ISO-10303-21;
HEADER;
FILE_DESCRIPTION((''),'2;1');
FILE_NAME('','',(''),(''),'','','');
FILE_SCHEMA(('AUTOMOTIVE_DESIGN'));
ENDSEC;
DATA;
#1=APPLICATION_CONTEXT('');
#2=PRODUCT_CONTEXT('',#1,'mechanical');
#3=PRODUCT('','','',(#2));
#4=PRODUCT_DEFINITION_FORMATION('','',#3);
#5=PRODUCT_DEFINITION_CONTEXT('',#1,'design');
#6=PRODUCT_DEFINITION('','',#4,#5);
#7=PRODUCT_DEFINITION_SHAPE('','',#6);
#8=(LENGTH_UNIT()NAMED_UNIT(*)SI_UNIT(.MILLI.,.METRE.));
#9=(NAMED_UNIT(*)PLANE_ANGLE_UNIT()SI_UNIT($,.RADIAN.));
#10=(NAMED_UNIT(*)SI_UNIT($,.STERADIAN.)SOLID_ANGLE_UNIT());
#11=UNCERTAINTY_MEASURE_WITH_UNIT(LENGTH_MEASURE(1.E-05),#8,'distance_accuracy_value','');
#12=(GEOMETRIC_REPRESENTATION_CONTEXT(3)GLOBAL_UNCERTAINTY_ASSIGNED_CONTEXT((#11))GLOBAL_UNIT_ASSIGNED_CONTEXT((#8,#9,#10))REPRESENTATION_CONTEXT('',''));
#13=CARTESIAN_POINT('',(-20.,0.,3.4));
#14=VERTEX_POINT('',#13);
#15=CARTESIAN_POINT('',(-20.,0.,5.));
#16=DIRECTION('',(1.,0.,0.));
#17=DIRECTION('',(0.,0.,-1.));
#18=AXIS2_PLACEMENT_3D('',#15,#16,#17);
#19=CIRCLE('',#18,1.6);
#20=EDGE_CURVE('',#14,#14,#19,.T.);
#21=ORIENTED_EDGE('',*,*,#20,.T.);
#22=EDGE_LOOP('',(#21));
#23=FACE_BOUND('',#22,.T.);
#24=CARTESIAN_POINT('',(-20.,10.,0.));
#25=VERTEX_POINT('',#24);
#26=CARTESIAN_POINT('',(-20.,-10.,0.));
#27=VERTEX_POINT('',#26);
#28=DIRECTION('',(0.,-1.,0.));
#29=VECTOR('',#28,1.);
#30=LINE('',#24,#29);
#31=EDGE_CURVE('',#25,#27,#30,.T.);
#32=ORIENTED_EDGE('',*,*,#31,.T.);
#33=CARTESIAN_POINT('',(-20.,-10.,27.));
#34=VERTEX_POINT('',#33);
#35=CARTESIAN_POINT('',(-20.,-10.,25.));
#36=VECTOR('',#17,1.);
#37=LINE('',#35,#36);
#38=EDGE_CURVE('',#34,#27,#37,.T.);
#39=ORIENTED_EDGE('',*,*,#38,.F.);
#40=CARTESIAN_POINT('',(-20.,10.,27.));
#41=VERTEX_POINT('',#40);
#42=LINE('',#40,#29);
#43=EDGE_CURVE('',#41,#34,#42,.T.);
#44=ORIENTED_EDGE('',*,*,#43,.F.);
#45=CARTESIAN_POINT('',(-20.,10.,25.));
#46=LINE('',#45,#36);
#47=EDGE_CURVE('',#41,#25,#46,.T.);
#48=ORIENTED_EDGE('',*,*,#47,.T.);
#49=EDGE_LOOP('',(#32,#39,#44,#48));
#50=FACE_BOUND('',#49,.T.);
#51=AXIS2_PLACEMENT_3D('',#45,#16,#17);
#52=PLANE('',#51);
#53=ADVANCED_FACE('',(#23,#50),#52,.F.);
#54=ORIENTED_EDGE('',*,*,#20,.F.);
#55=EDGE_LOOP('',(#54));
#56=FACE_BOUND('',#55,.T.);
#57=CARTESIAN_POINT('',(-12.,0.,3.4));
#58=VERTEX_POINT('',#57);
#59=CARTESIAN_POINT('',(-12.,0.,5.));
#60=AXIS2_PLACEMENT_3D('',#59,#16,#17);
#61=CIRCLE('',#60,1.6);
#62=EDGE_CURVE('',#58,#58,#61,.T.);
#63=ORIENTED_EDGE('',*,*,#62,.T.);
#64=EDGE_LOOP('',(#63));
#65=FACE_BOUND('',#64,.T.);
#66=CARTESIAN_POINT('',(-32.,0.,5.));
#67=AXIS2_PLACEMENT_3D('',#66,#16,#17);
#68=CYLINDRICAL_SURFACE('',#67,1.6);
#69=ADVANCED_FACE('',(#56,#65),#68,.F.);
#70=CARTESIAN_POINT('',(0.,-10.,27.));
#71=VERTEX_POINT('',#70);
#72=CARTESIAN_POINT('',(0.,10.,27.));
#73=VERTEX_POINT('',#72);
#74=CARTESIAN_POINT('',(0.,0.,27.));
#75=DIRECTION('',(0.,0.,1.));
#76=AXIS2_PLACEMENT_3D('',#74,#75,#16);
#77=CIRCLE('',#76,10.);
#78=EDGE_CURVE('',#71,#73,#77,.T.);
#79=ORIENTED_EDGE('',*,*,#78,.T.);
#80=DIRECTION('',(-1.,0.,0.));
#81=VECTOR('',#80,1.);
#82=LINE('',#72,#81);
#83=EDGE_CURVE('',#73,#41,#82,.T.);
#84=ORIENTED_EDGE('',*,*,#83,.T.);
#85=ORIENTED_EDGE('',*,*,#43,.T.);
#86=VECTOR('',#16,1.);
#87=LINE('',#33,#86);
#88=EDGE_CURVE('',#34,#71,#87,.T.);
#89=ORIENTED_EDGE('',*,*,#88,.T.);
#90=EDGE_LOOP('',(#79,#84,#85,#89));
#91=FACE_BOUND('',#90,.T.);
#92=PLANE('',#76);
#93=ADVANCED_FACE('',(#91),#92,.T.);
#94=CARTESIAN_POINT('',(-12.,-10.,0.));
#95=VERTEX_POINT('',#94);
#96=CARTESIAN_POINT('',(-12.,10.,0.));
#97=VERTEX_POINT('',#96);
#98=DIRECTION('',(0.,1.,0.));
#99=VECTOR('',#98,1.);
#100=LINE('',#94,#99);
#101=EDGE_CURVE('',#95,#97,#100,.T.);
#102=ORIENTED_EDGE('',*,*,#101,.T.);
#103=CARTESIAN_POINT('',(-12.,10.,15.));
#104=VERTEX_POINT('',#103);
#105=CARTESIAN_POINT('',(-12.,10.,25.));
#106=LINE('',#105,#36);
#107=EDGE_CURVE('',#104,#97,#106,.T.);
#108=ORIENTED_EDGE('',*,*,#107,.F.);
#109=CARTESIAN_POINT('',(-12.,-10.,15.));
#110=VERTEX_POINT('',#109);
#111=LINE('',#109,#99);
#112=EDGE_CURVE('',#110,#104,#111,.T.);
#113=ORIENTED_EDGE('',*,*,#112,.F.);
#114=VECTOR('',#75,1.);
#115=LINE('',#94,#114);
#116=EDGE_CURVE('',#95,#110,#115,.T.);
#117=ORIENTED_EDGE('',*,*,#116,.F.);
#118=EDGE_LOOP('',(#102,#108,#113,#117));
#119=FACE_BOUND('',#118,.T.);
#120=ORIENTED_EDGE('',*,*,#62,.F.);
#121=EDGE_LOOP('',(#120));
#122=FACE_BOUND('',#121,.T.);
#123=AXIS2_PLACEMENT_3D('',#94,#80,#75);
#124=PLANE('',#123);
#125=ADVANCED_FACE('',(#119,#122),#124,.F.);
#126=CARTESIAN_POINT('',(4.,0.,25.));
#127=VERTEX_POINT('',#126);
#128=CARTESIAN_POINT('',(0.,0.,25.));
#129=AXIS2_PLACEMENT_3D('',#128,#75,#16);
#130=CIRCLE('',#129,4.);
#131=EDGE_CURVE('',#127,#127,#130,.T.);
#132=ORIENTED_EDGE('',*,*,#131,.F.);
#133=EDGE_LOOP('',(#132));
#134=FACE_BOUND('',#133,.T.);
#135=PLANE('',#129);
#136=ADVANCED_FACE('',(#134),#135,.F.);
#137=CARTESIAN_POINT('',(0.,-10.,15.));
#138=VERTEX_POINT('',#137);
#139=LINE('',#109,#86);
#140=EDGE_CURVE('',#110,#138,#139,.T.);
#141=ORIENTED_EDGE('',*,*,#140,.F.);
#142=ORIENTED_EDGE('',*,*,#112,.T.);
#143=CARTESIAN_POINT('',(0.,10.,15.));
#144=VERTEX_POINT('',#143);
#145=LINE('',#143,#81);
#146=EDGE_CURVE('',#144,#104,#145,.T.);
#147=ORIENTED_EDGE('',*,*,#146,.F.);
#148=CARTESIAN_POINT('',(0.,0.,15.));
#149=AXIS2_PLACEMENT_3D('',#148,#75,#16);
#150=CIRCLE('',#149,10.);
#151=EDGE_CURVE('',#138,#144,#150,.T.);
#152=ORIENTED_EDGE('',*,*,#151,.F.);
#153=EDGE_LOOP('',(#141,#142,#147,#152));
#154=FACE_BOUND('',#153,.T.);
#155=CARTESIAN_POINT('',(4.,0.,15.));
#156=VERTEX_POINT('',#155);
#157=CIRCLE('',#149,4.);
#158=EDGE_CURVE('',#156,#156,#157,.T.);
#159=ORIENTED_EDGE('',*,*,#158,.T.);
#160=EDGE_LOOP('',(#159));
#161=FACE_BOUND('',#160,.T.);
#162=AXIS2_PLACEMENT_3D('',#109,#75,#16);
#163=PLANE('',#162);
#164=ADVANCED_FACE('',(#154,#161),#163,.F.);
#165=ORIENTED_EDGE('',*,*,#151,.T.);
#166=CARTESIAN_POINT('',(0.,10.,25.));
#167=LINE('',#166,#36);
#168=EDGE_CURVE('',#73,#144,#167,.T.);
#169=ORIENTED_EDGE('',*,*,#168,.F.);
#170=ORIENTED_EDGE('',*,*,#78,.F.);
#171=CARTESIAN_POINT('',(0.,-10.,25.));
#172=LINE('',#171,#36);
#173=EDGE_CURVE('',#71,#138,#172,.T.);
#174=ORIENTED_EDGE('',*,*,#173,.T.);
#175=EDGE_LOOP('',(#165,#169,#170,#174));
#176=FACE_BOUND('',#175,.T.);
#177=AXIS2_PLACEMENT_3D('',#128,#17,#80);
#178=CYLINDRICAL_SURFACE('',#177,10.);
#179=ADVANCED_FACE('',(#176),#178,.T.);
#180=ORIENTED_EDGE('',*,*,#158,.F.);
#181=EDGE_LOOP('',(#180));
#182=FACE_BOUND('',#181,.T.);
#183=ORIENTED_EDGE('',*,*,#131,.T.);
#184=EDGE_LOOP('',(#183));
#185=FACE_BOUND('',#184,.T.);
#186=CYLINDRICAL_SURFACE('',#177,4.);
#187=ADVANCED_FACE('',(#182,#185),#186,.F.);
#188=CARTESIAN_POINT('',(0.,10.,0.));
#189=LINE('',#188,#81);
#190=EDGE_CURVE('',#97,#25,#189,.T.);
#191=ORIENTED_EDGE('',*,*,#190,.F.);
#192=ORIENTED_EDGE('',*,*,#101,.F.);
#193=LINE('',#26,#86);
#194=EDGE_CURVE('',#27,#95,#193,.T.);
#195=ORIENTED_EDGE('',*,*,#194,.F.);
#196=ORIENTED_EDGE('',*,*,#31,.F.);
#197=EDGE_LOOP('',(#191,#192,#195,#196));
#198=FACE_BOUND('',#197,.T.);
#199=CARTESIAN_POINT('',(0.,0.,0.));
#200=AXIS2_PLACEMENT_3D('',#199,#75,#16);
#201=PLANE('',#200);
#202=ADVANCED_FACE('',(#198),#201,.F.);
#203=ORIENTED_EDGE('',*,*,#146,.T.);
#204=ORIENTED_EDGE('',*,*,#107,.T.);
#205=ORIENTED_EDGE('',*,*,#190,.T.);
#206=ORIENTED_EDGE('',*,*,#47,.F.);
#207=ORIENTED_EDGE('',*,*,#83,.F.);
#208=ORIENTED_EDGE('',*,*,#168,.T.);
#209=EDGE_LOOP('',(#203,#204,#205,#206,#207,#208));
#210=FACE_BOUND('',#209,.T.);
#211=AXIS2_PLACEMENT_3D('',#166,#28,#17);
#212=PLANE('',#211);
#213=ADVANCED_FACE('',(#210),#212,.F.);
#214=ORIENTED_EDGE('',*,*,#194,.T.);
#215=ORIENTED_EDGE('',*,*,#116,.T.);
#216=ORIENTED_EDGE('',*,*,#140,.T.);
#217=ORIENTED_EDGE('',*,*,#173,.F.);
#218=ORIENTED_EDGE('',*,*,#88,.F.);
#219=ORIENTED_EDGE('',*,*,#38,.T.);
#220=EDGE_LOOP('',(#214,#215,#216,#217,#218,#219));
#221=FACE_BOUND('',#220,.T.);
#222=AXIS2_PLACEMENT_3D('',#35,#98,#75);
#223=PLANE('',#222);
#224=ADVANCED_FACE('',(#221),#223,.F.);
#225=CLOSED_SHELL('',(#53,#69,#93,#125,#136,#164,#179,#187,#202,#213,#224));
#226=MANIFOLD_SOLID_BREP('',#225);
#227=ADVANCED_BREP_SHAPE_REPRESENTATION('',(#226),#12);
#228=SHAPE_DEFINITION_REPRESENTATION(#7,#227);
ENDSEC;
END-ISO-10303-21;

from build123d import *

# Parameters (mm, degrees)
ESBO_O1_R                  = 4
RESSALTO_EXTRUS_O1_DEPTH   = 25
CORTE_EXTRUS_O1_DEPTH      = 38.749172176
CORTE_EXTRUS_O1_DEPTH_BACK = 38.749172176
ESBO_O2_W                  = 22
ESBO_O2_H                  = 15
ESBO_O3_R                  = 1.6
CORTE_EXTRUS_O2_DEPTH      = 20
RESSALTO_EXTRUS_O3_DEPTH   = 2


with BuildPart() as part:
    # Esboço1 → Ressalto-extrusão1 (new body)
    with BuildSketch(Plane.XY):
        with BuildLine():
            Line((0, 10), (-20, 10))
            Line((-20, 10), (-20, -10))
            Line((-20, -10), (0, -10))
            ThreePointArc((0, -10), (10, 0), (0, 10))
        make_face()
        Circle(ESBO_O1_R, mode=Mode.SUBTRACT)
    extrude(amount=RESSALTO_EXTRUS_O1_DEPTH)

    # Esboço2 → Corte-extrusão1 (cut, two sides: drawn at the far end of the back side and taken through both)
    with BuildSketch(Plane(origin=(0, 10, 0), x_dir=(1, 0, 0), z_dir=(0, 1, 0)).offset(-CORTE_EXTRUS_O1_DEPTH_BACK)):
        with Locations((-1, -7.5)):
            Rectangle(ESBO_O2_W, ESBO_O2_H)
    extrude(amount=CORTE_EXTRUS_O1_DEPTH + CORTE_EXTRUS_O1_DEPTH_BACK, mode=Mode.SUBTRACT)

    # Esboço3 → Corte-extrusão2 (cut)
    with BuildSketch(Plane(origin=(-12, 0, 0), x_dir=(0, 0, -1), z_dir=(1, 0, 0))):
        with Locations((-5, 0)):
            Circle(ESBO_O3_R)
    extrude(amount=-CORTE_EXTRUS_O2_DEPTH, mode=Mode.SUBTRACT)

    # Esboço5 → Ressalto-extrusão3 (add)
    with BuildSketch(Plane.XY.offset(25)):
        with BuildLine():
            Line((0, 10), (-20, 10))
            Line((-20, 10), (-20, -10))
            Line((-20, -10), (0, -10))
            ThreePointArc((0, -10), (10, 0), (0, 10))
        make_face()
    extrude(amount=RESSALTO_EXTRUS_O3_DEPTH)


solid = part.part
